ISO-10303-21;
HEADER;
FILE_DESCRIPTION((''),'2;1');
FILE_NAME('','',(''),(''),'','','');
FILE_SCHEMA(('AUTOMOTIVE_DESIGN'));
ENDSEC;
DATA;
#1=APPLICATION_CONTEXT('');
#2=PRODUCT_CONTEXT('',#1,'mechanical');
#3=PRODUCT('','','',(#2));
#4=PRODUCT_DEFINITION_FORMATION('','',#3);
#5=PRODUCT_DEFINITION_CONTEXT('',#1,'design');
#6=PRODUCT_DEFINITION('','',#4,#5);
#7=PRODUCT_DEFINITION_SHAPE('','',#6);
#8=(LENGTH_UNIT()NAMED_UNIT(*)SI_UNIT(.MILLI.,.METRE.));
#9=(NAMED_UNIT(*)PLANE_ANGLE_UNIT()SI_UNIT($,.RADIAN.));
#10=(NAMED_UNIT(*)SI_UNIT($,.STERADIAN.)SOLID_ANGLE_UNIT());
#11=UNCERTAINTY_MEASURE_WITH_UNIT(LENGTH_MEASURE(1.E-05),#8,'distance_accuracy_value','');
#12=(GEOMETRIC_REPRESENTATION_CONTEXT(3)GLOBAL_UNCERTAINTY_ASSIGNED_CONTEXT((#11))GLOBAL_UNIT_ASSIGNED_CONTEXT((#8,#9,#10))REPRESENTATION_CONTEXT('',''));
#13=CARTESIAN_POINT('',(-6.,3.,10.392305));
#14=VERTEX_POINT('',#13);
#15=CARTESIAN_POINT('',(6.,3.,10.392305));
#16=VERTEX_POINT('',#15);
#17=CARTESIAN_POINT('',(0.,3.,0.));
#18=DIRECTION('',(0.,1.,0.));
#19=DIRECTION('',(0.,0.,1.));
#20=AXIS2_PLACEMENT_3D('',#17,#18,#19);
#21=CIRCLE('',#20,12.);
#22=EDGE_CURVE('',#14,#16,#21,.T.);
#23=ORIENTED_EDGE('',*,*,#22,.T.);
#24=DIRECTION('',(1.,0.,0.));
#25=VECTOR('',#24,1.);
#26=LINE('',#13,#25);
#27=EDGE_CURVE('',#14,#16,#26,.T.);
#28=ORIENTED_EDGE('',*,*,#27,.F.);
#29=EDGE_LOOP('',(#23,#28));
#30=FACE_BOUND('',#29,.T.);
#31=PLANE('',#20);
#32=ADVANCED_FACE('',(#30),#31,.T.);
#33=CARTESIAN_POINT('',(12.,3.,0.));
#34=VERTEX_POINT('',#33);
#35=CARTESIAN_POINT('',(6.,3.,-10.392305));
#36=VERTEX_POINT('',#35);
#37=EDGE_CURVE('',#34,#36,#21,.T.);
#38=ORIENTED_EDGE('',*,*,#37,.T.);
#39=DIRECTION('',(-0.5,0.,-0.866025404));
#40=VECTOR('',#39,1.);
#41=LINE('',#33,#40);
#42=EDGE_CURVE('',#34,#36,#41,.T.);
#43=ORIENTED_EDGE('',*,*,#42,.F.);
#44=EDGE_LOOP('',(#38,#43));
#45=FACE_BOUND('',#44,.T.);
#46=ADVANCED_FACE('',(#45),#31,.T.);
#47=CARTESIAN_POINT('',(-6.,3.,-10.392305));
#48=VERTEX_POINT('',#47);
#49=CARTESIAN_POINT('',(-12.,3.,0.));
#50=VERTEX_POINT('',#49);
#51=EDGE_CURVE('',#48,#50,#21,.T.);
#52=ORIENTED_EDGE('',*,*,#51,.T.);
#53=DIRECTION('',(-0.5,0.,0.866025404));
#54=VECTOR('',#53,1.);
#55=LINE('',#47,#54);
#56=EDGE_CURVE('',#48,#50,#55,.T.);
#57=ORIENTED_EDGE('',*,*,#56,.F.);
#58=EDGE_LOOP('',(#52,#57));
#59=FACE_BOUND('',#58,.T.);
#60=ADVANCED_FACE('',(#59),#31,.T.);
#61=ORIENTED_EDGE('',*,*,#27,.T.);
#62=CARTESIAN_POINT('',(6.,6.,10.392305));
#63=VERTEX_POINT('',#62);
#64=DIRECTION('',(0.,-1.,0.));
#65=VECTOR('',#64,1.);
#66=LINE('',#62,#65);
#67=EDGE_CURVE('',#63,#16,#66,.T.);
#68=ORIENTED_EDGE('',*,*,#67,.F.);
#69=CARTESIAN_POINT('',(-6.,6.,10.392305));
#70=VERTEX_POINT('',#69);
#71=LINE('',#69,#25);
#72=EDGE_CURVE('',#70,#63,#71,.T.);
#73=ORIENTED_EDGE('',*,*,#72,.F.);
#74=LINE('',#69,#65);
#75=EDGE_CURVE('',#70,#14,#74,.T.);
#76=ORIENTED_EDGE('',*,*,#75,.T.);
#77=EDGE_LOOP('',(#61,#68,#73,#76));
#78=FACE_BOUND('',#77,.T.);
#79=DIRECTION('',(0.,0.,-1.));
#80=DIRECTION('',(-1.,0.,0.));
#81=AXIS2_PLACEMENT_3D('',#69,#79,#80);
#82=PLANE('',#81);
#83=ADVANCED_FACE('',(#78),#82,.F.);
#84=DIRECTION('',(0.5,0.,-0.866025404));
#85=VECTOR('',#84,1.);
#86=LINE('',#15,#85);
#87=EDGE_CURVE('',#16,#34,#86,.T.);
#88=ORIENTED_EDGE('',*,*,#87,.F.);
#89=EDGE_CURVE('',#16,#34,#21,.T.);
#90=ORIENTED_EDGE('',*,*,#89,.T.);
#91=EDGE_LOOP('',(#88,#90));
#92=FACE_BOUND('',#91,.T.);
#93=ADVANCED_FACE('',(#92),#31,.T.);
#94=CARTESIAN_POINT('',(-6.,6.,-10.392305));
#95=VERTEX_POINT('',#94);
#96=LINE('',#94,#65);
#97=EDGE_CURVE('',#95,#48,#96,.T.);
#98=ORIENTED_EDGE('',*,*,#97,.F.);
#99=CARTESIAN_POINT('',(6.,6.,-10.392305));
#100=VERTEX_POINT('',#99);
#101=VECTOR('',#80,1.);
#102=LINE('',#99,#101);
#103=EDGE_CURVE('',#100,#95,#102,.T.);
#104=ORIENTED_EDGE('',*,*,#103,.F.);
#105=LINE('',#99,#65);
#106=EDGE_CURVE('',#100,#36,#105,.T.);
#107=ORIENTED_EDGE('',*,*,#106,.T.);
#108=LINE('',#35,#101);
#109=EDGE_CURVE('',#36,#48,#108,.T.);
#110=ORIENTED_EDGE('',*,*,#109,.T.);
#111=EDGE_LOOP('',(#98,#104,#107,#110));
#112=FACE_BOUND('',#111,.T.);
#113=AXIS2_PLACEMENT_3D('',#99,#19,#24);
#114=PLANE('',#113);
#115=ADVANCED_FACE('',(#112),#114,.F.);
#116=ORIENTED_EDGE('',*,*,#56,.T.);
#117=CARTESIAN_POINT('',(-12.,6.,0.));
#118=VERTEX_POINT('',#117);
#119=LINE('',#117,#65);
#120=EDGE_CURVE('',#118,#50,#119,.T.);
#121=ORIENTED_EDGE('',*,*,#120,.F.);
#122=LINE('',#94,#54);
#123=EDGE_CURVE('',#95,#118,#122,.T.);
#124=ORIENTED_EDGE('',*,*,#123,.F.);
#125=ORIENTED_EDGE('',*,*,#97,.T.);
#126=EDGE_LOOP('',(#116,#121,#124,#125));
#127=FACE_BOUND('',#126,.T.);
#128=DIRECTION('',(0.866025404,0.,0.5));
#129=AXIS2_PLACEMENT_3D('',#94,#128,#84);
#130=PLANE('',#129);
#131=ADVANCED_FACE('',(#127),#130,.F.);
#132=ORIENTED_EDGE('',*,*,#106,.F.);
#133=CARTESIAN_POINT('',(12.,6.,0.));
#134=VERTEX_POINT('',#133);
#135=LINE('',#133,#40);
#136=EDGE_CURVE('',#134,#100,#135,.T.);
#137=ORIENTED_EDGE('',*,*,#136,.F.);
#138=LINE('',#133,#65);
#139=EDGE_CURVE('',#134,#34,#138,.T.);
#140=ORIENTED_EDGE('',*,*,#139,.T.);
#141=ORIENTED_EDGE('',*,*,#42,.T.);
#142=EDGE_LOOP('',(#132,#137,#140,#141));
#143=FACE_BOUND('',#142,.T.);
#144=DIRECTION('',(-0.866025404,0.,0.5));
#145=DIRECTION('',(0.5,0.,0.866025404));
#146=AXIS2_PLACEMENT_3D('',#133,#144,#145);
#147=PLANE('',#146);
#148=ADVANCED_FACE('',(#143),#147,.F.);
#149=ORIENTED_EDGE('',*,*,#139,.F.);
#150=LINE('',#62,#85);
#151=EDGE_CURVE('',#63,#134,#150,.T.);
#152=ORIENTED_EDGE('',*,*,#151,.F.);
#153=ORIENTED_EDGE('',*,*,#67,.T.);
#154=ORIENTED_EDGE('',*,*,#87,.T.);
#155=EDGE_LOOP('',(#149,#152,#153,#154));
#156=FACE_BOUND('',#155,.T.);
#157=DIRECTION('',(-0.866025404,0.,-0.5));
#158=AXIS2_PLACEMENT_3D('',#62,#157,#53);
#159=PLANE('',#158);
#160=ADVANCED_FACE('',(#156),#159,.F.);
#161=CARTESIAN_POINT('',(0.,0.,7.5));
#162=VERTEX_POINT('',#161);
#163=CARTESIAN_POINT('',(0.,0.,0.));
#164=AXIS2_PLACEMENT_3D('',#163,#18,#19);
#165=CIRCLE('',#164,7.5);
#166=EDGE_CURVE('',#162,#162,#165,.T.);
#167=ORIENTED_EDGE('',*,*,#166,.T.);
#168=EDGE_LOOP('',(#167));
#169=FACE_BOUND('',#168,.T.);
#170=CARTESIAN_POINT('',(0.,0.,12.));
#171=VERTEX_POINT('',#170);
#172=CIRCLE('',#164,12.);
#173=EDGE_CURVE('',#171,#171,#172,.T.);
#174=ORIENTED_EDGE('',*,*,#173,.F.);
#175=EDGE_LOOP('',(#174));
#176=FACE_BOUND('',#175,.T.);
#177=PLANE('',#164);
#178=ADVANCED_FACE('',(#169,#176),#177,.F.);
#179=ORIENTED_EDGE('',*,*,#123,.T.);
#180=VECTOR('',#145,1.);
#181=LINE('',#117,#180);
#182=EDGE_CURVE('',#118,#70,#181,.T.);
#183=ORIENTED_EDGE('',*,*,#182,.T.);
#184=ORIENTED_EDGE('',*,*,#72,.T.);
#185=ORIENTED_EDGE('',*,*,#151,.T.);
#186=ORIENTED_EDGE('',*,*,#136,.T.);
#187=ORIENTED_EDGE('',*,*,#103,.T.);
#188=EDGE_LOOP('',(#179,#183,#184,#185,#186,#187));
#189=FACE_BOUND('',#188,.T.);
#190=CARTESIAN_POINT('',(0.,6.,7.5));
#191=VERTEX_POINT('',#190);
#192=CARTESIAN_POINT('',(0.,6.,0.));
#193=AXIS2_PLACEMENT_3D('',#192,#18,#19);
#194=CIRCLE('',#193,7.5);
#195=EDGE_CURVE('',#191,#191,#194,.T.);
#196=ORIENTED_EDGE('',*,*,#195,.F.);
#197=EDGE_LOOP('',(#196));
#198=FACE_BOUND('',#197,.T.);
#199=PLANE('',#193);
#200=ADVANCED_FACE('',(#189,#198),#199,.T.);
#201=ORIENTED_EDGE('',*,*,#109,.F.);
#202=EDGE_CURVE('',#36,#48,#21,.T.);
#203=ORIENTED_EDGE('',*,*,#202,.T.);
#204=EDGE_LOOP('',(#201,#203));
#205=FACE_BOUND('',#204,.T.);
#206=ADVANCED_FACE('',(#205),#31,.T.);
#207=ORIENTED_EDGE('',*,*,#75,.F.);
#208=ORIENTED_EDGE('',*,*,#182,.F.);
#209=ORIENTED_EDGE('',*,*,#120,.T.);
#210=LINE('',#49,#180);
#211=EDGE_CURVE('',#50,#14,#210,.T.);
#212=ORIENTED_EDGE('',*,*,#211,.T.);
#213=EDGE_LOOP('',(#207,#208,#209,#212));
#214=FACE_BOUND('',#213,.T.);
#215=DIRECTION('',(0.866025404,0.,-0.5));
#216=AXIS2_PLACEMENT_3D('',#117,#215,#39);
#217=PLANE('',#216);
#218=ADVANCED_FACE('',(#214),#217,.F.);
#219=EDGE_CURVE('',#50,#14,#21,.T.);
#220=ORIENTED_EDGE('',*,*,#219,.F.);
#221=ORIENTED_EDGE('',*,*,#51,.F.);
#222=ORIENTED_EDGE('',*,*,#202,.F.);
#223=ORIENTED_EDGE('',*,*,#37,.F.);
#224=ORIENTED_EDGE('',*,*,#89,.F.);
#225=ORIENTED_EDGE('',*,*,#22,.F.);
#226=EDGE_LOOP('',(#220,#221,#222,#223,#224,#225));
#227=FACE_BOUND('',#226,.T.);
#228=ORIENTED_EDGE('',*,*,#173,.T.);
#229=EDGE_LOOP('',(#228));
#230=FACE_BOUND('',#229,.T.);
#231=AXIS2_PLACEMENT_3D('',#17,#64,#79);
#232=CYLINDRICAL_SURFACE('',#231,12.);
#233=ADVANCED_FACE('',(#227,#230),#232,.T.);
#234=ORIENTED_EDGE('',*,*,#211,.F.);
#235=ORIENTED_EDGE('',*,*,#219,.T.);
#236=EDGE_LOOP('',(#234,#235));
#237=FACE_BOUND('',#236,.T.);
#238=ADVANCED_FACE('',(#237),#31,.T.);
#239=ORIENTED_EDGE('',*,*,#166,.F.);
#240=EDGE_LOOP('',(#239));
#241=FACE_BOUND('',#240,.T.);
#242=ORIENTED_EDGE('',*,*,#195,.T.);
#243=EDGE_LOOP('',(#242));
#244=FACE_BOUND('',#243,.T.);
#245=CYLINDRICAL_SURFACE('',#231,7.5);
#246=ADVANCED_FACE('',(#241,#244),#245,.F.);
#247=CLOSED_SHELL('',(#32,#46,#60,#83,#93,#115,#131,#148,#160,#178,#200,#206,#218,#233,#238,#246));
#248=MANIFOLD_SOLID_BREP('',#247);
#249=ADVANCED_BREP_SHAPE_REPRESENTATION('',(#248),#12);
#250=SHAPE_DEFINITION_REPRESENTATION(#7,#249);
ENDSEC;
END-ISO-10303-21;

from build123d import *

# Parameters (mm, degrees)
SKETCH1_R           = 12
SKETCH1_R_2         = 7.5
BOSS_EXTRUDE1_DEPTH = 3
SKETCH2_R           = 7.5
BOSS_EXTRUDE2_DEPTH = 3


with BuildPart() as part:
    # Sketch1 → Boss-Extrude1 (new body)
    with BuildSketch(Plane(origin=(0, 0, 0), x_dir=(1, 0, 0), z_dir=(0, 1, 0))):
        with Locations(Location((0, 0, 0), (0, 0, 270))):
            Circle(SKETCH1_R)
        with Locations(Location((0, 0, 0), (0, 0, 270))):
            Circle(SKETCH1_R_2, mode=Mode.SUBTRACT)
    extrude(amount=BOSS_EXTRUDE1_DEPTH)

    # Sketch2 → Boss-Extrude2 (add)
    with BuildSketch(Plane(origin=(0, 3, 0), x_dir=(1, 0, 0), z_dir=(0, 1, 0))):
        Polygon((12, 0), (6, 10.392304845), (-6, 10.392304845), (-12, 0), (-6, -10.392304845), (6, -10.392304845), align=None)
        with Locations(Location((0, 0, 0), (0, 0, 270))):
            Circle(SKETCH2_R, mode=Mode.SUBTRACT)
    extrude(amount=BOSS_EXTRUDE2_DEPTH)


solid = part.part
